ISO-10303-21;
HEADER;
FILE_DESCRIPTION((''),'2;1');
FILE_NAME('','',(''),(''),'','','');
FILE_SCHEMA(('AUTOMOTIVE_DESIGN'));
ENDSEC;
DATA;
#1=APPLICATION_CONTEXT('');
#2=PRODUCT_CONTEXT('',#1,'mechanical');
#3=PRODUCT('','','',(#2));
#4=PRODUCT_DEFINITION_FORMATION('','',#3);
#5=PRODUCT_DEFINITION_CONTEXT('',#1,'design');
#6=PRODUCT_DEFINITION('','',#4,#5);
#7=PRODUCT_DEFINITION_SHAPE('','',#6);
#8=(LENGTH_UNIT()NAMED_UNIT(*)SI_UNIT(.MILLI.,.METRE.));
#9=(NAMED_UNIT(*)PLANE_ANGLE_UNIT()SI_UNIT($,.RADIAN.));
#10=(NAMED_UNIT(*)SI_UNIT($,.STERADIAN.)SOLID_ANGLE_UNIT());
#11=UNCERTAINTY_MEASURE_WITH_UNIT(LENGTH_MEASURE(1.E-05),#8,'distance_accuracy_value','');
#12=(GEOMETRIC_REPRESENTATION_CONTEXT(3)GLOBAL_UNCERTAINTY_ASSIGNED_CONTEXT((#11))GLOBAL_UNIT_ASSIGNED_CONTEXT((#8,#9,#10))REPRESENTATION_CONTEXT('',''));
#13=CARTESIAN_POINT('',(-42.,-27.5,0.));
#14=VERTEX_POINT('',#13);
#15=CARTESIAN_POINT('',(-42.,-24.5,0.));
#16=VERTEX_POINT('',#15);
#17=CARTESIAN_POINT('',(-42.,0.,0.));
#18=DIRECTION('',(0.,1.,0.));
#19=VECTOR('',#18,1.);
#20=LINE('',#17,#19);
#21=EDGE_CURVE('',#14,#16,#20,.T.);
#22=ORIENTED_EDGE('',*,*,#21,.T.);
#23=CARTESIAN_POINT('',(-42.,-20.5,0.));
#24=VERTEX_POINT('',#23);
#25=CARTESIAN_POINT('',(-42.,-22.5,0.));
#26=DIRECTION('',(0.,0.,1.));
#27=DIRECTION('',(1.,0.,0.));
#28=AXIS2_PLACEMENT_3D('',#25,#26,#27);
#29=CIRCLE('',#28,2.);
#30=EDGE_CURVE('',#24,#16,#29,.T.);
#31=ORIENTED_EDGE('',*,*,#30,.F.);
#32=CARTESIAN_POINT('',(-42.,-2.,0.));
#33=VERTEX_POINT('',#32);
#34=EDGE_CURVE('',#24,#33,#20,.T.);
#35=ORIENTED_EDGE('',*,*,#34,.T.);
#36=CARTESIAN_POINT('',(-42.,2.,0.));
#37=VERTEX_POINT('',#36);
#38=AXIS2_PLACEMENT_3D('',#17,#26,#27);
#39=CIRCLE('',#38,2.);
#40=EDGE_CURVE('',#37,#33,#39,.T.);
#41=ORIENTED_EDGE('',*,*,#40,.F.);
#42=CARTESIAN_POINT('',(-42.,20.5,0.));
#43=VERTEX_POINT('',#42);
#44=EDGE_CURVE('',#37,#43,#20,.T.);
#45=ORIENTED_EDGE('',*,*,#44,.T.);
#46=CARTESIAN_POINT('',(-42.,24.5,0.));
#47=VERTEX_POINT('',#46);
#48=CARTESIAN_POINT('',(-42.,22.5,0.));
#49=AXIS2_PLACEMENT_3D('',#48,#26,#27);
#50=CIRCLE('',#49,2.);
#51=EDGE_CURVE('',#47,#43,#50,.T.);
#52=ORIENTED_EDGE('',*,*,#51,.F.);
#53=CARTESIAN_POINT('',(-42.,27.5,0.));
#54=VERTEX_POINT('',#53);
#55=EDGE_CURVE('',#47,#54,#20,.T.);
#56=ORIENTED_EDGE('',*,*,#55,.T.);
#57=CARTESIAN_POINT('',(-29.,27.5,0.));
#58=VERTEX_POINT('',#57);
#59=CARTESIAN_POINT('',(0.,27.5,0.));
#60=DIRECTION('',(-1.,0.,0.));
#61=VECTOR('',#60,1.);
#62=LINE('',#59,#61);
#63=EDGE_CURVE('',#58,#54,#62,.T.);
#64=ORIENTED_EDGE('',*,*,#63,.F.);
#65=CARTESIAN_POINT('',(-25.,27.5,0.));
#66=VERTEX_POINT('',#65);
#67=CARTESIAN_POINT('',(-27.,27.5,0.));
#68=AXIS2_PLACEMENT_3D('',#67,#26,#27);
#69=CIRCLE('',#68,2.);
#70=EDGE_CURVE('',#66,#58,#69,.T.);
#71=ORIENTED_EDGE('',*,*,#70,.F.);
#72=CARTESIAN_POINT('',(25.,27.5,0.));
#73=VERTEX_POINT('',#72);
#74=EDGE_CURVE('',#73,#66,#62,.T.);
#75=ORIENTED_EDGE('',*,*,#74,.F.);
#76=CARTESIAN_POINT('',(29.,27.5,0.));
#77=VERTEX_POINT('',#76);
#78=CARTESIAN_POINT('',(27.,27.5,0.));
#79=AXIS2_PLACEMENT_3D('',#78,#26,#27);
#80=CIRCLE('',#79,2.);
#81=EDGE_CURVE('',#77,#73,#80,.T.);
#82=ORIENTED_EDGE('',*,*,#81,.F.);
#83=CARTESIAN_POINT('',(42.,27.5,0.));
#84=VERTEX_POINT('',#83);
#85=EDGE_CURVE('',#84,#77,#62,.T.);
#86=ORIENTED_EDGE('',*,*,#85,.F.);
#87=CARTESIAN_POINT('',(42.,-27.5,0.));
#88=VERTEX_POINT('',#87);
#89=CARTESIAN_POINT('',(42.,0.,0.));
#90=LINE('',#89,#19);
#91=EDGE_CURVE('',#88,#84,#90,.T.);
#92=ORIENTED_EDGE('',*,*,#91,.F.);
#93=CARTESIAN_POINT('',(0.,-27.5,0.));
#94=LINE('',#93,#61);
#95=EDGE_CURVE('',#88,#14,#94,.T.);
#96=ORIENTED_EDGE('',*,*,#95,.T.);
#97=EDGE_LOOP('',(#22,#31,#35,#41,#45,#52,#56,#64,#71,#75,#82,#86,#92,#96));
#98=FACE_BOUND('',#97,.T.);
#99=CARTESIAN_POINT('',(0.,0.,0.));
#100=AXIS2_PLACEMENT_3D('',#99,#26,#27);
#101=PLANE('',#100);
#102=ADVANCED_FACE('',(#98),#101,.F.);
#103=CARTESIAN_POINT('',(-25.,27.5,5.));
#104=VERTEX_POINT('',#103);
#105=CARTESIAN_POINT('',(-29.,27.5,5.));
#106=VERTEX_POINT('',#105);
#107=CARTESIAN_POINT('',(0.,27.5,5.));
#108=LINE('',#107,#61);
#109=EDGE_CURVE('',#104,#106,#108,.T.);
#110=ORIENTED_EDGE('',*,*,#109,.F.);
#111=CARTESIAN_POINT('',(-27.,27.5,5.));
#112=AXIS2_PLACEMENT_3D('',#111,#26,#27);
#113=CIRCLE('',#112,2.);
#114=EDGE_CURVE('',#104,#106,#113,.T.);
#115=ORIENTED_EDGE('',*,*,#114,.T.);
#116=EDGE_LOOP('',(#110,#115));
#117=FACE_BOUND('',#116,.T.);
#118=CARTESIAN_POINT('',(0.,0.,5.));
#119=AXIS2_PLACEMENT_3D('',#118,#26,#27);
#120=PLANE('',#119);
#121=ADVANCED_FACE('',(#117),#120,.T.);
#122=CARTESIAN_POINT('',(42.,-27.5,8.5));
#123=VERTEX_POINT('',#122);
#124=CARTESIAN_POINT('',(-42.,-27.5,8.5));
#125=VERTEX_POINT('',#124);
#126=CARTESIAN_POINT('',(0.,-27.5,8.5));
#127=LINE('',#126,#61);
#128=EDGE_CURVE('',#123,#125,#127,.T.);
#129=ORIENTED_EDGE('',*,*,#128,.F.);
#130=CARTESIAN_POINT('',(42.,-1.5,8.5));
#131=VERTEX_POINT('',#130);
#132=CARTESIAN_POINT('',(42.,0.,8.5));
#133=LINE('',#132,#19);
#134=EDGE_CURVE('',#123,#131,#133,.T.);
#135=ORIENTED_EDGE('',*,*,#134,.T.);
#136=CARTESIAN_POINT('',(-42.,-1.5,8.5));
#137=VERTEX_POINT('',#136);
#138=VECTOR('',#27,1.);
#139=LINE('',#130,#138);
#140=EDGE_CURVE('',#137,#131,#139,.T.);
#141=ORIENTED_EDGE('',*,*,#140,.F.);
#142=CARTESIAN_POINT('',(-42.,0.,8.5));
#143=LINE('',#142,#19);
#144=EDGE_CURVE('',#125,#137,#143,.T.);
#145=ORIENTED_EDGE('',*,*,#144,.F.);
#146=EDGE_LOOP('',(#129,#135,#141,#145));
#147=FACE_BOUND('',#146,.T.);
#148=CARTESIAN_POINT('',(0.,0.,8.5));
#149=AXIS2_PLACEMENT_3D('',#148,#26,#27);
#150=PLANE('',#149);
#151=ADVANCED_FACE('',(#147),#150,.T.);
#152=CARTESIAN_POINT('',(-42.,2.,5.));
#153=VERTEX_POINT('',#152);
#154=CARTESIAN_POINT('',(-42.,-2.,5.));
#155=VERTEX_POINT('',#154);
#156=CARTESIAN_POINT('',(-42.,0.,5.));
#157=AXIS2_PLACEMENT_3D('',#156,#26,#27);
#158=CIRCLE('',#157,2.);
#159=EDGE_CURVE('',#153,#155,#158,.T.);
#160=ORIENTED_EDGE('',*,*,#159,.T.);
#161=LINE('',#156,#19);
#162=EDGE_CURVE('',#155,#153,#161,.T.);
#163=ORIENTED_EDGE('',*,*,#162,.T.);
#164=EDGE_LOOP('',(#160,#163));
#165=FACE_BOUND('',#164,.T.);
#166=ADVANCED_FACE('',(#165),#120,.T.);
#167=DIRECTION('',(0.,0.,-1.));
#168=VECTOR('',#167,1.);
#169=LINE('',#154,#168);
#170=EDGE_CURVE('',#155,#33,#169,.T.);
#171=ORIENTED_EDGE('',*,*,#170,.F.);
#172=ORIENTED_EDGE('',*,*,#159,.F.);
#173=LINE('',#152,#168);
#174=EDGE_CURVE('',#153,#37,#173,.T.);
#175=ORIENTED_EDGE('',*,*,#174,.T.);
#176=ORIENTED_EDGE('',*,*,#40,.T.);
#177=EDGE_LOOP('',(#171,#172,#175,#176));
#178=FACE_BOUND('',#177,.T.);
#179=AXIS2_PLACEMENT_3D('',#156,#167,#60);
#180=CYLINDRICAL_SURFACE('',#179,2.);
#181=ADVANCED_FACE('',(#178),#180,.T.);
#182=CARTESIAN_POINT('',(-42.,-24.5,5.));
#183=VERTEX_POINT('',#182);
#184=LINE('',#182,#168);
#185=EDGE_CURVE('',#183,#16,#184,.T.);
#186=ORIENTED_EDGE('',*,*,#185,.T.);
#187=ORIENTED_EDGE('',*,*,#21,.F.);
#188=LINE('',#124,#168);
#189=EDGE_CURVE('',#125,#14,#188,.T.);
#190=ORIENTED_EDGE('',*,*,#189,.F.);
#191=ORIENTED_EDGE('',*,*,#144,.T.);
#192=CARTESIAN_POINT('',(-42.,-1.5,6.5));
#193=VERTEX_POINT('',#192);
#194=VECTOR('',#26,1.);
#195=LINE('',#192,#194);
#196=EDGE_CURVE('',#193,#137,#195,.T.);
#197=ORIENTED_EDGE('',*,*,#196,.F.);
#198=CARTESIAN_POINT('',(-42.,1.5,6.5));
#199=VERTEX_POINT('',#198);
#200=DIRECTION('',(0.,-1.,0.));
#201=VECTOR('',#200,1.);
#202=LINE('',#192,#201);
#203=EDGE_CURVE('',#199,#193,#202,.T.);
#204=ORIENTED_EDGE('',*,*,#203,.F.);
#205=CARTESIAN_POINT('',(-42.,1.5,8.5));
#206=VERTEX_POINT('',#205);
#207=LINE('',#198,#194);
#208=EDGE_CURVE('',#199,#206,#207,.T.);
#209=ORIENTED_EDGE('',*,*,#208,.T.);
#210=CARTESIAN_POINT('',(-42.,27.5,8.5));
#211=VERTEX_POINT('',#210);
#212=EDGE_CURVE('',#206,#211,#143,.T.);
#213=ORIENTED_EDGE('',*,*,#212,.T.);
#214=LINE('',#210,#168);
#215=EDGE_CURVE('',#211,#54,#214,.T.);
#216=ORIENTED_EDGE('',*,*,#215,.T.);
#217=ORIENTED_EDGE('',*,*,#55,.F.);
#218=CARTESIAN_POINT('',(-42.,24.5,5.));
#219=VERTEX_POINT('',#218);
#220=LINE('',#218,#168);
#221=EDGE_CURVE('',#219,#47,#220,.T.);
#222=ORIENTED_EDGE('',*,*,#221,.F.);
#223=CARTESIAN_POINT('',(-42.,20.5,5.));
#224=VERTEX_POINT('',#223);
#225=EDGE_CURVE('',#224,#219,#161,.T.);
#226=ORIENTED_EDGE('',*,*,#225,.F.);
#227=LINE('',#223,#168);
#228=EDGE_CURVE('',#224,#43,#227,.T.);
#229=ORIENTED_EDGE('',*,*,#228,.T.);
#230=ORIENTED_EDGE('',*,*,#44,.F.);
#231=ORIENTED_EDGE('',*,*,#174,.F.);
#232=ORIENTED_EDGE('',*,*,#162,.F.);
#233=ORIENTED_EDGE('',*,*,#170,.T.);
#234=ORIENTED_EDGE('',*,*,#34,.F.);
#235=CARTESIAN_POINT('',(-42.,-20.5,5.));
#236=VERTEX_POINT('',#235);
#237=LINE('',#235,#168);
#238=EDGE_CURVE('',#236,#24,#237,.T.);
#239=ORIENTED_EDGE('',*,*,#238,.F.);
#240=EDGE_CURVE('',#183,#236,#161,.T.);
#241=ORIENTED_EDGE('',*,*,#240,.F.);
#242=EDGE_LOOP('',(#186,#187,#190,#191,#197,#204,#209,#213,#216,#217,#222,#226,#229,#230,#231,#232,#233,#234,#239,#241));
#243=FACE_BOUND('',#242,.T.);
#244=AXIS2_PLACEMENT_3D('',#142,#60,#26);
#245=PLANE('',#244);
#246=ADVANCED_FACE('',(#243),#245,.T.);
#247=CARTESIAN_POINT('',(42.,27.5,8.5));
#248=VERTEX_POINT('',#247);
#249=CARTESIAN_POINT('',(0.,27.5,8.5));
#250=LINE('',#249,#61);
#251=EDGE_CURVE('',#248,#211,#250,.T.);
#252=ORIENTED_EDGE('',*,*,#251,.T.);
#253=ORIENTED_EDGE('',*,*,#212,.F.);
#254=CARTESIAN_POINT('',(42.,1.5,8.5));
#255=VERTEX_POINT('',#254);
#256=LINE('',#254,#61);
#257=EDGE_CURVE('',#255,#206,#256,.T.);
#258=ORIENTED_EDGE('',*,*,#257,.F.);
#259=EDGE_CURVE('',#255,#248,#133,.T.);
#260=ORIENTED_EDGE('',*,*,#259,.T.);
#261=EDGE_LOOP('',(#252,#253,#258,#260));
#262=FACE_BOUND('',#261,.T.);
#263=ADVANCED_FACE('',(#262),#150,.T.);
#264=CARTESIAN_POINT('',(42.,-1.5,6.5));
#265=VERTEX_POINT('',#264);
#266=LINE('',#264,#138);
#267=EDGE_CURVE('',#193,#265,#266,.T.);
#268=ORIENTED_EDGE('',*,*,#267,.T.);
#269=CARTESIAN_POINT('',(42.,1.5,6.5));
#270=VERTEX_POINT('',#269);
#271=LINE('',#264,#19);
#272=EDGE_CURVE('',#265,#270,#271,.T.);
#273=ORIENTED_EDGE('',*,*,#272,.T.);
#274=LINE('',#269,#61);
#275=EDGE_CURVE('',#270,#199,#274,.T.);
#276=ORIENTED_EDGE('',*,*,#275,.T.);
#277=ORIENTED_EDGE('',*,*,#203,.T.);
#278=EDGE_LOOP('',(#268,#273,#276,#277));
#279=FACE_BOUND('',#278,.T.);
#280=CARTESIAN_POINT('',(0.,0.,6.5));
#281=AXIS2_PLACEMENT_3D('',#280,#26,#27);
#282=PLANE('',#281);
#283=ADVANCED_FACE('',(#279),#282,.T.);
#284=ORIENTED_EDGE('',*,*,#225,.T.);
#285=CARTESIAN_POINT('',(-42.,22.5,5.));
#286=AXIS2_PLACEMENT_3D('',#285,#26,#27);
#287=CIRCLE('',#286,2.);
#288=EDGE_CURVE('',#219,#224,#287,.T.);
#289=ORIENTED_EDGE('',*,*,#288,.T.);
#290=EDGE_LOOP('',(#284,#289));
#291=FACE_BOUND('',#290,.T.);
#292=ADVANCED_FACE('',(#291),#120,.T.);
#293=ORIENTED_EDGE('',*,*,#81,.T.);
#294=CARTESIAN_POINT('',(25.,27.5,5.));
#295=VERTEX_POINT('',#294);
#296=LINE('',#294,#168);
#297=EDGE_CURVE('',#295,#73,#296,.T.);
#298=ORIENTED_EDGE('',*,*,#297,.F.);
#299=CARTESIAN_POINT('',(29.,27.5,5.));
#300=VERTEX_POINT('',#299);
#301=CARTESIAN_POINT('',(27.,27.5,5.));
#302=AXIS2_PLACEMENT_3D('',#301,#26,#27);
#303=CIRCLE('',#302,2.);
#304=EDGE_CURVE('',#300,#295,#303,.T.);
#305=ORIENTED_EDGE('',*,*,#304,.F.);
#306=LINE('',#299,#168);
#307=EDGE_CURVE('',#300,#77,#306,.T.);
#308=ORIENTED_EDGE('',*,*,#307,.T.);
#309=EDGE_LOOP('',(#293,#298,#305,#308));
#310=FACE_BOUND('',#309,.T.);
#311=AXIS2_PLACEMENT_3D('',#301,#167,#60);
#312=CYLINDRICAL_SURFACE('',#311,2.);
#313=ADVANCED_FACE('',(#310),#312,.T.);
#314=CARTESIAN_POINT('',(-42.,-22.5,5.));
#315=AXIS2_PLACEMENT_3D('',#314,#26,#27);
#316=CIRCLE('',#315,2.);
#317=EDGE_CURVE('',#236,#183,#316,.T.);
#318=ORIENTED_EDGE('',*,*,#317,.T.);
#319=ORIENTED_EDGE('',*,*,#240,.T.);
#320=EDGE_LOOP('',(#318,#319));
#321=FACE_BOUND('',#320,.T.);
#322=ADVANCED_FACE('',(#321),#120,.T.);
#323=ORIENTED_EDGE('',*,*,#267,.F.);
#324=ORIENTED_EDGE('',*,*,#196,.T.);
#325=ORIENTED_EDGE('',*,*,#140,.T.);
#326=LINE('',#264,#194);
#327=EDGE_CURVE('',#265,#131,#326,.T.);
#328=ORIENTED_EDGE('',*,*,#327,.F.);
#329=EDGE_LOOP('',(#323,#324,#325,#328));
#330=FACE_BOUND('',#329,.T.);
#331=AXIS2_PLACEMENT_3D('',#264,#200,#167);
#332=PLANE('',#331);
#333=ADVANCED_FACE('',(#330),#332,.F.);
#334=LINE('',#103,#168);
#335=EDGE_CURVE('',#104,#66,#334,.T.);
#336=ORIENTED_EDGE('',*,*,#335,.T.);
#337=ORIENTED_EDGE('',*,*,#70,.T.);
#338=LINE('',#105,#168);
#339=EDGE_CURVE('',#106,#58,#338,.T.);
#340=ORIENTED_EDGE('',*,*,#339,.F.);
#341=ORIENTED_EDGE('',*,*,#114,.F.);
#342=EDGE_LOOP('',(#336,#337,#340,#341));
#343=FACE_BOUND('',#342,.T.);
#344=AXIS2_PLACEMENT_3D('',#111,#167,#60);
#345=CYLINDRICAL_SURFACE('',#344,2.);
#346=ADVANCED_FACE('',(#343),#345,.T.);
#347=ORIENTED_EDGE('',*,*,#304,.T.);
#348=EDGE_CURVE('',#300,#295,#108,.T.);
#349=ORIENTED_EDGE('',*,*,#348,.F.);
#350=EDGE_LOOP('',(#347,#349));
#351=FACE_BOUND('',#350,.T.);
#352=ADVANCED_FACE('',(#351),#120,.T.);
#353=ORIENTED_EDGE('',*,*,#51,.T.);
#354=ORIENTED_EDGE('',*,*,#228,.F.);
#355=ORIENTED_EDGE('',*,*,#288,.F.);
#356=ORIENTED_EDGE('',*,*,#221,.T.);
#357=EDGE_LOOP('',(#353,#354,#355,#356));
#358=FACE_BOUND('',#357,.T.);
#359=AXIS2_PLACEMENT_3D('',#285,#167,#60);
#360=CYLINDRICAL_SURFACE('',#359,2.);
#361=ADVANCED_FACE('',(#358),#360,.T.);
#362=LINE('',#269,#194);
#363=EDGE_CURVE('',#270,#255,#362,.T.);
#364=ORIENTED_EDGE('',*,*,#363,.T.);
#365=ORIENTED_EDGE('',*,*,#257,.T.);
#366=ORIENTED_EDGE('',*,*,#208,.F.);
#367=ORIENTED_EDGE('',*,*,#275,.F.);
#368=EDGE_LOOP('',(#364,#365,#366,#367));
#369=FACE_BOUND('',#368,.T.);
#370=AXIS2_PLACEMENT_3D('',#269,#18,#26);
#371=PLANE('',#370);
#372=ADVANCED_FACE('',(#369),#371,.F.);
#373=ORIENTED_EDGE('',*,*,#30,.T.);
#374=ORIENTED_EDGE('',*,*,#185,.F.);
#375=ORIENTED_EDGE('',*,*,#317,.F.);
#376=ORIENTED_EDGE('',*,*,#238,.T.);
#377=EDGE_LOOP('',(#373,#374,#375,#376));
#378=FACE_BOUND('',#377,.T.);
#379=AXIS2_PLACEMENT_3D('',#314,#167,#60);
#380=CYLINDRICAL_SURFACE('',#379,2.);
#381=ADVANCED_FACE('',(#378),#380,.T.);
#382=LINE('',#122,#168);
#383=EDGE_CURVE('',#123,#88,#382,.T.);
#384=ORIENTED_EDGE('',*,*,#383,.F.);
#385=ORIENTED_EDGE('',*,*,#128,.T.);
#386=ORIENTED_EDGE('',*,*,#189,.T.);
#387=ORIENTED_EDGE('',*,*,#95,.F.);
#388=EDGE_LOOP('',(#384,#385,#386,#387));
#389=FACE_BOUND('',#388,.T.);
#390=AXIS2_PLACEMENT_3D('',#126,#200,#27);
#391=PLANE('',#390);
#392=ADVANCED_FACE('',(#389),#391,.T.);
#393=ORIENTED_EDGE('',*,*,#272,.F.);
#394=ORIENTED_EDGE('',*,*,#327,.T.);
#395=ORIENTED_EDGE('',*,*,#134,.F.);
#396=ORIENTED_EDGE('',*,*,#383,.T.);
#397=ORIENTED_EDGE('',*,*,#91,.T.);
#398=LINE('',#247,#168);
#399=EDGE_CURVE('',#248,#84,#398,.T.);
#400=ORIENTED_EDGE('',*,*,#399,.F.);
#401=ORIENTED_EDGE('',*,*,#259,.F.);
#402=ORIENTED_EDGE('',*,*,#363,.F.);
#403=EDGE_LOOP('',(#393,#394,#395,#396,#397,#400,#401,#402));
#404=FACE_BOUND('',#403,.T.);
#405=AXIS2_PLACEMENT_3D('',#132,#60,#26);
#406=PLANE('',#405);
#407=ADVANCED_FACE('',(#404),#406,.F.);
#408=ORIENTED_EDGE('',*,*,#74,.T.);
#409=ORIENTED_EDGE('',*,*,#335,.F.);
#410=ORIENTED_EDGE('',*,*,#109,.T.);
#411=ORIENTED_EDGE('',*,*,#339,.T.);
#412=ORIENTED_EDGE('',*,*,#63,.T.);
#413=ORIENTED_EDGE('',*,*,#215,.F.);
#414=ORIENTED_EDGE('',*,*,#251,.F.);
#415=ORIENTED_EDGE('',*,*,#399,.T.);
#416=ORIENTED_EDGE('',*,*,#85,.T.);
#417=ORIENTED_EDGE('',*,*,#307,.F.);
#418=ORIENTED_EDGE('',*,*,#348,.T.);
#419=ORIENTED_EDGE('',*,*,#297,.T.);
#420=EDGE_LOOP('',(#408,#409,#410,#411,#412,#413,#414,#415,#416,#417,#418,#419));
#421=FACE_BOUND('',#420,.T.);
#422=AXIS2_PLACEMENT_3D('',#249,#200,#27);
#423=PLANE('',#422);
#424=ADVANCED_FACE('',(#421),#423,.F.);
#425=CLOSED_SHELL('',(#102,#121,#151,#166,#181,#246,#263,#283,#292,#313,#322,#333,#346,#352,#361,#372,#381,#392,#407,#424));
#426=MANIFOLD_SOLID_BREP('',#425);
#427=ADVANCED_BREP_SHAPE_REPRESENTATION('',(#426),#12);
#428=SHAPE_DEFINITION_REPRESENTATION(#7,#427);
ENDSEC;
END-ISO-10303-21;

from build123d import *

# Parameters (mm, degrees)
EXTRUDE_2_DEPTH     = 8.5
EXTRUDE_3_DEPTH     = 5
SKETCH_2_W          = 84
SKETCH_2_H          = 3
CUT_EXTRUDE_1_DEPTH = 2


with BuildPart() as part:
    # ｽｹｯﾁ1 → ﾎﾞｽ - 押し出し2 (new body)
    with BuildSketch(Plane.XY):
        Polygon((-42, -27.5), (42, -27.5), (42, 27.5), (29, 27.5), (25, 27.5), (-25, 27.5), (-29, 27.5), (-42, 27.5), (-42, 24.5), (-42, 20.5), (-42, 2), (-42, -2), (-42, -20.5), (-42, -24.5), align=None)
    extrude(amount=EXTRUDE_2_DEPTH)

    # ｽｹｯﾁ1<3> → ﾎﾞｽ - 押し出し3 (add)
    with BuildSketch(Plane.XY):
        with BuildLine():
            ThreePointArc((-42, -20.5), (-44, -22.5), (-42, -24.5))
            Line((-42, -24.5), (-42, -20.5))
        make_face()
        with BuildLine():
            Line((25, 27.5), (29, 27.5))
            ThreePointArc((29, 27.5), (27, 29.5), (25, 27.5))
        make_face()
        with BuildLine():
            ThreePointArc((-42, 2), (-44, 0), (-42, -2))
            Line((-42, -2), (-42, 2))
        make_face()
        with BuildLine():
            Line((-29, 27.5), (-25, 27.5))
            ThreePointArc((-25, 27.5), (-27, 29.5), (-29, 27.5))
        make_face()
        with BuildLine():
            ThreePointArc((-42, 24.5), (-44, 22.5), (-42, 20.5))
            Line((-42, 20.5), (-42, 24.5))
        make_face()
    extrude(amount=EXTRUDE_3_DEPTH)

    # ｽｹｯﾁ2 → ｶｯﾄ - 押し出し1 (cut)
    with BuildSketch(Plane.XY.offset(8.5)):
        Rectangle(SKETCH_2_W, SKETCH_2_H)
    extrude(amount=-CUT_EXTRUDE_1_DEPTH, mode=Mode.SUBTRACT)


solid = part.part
